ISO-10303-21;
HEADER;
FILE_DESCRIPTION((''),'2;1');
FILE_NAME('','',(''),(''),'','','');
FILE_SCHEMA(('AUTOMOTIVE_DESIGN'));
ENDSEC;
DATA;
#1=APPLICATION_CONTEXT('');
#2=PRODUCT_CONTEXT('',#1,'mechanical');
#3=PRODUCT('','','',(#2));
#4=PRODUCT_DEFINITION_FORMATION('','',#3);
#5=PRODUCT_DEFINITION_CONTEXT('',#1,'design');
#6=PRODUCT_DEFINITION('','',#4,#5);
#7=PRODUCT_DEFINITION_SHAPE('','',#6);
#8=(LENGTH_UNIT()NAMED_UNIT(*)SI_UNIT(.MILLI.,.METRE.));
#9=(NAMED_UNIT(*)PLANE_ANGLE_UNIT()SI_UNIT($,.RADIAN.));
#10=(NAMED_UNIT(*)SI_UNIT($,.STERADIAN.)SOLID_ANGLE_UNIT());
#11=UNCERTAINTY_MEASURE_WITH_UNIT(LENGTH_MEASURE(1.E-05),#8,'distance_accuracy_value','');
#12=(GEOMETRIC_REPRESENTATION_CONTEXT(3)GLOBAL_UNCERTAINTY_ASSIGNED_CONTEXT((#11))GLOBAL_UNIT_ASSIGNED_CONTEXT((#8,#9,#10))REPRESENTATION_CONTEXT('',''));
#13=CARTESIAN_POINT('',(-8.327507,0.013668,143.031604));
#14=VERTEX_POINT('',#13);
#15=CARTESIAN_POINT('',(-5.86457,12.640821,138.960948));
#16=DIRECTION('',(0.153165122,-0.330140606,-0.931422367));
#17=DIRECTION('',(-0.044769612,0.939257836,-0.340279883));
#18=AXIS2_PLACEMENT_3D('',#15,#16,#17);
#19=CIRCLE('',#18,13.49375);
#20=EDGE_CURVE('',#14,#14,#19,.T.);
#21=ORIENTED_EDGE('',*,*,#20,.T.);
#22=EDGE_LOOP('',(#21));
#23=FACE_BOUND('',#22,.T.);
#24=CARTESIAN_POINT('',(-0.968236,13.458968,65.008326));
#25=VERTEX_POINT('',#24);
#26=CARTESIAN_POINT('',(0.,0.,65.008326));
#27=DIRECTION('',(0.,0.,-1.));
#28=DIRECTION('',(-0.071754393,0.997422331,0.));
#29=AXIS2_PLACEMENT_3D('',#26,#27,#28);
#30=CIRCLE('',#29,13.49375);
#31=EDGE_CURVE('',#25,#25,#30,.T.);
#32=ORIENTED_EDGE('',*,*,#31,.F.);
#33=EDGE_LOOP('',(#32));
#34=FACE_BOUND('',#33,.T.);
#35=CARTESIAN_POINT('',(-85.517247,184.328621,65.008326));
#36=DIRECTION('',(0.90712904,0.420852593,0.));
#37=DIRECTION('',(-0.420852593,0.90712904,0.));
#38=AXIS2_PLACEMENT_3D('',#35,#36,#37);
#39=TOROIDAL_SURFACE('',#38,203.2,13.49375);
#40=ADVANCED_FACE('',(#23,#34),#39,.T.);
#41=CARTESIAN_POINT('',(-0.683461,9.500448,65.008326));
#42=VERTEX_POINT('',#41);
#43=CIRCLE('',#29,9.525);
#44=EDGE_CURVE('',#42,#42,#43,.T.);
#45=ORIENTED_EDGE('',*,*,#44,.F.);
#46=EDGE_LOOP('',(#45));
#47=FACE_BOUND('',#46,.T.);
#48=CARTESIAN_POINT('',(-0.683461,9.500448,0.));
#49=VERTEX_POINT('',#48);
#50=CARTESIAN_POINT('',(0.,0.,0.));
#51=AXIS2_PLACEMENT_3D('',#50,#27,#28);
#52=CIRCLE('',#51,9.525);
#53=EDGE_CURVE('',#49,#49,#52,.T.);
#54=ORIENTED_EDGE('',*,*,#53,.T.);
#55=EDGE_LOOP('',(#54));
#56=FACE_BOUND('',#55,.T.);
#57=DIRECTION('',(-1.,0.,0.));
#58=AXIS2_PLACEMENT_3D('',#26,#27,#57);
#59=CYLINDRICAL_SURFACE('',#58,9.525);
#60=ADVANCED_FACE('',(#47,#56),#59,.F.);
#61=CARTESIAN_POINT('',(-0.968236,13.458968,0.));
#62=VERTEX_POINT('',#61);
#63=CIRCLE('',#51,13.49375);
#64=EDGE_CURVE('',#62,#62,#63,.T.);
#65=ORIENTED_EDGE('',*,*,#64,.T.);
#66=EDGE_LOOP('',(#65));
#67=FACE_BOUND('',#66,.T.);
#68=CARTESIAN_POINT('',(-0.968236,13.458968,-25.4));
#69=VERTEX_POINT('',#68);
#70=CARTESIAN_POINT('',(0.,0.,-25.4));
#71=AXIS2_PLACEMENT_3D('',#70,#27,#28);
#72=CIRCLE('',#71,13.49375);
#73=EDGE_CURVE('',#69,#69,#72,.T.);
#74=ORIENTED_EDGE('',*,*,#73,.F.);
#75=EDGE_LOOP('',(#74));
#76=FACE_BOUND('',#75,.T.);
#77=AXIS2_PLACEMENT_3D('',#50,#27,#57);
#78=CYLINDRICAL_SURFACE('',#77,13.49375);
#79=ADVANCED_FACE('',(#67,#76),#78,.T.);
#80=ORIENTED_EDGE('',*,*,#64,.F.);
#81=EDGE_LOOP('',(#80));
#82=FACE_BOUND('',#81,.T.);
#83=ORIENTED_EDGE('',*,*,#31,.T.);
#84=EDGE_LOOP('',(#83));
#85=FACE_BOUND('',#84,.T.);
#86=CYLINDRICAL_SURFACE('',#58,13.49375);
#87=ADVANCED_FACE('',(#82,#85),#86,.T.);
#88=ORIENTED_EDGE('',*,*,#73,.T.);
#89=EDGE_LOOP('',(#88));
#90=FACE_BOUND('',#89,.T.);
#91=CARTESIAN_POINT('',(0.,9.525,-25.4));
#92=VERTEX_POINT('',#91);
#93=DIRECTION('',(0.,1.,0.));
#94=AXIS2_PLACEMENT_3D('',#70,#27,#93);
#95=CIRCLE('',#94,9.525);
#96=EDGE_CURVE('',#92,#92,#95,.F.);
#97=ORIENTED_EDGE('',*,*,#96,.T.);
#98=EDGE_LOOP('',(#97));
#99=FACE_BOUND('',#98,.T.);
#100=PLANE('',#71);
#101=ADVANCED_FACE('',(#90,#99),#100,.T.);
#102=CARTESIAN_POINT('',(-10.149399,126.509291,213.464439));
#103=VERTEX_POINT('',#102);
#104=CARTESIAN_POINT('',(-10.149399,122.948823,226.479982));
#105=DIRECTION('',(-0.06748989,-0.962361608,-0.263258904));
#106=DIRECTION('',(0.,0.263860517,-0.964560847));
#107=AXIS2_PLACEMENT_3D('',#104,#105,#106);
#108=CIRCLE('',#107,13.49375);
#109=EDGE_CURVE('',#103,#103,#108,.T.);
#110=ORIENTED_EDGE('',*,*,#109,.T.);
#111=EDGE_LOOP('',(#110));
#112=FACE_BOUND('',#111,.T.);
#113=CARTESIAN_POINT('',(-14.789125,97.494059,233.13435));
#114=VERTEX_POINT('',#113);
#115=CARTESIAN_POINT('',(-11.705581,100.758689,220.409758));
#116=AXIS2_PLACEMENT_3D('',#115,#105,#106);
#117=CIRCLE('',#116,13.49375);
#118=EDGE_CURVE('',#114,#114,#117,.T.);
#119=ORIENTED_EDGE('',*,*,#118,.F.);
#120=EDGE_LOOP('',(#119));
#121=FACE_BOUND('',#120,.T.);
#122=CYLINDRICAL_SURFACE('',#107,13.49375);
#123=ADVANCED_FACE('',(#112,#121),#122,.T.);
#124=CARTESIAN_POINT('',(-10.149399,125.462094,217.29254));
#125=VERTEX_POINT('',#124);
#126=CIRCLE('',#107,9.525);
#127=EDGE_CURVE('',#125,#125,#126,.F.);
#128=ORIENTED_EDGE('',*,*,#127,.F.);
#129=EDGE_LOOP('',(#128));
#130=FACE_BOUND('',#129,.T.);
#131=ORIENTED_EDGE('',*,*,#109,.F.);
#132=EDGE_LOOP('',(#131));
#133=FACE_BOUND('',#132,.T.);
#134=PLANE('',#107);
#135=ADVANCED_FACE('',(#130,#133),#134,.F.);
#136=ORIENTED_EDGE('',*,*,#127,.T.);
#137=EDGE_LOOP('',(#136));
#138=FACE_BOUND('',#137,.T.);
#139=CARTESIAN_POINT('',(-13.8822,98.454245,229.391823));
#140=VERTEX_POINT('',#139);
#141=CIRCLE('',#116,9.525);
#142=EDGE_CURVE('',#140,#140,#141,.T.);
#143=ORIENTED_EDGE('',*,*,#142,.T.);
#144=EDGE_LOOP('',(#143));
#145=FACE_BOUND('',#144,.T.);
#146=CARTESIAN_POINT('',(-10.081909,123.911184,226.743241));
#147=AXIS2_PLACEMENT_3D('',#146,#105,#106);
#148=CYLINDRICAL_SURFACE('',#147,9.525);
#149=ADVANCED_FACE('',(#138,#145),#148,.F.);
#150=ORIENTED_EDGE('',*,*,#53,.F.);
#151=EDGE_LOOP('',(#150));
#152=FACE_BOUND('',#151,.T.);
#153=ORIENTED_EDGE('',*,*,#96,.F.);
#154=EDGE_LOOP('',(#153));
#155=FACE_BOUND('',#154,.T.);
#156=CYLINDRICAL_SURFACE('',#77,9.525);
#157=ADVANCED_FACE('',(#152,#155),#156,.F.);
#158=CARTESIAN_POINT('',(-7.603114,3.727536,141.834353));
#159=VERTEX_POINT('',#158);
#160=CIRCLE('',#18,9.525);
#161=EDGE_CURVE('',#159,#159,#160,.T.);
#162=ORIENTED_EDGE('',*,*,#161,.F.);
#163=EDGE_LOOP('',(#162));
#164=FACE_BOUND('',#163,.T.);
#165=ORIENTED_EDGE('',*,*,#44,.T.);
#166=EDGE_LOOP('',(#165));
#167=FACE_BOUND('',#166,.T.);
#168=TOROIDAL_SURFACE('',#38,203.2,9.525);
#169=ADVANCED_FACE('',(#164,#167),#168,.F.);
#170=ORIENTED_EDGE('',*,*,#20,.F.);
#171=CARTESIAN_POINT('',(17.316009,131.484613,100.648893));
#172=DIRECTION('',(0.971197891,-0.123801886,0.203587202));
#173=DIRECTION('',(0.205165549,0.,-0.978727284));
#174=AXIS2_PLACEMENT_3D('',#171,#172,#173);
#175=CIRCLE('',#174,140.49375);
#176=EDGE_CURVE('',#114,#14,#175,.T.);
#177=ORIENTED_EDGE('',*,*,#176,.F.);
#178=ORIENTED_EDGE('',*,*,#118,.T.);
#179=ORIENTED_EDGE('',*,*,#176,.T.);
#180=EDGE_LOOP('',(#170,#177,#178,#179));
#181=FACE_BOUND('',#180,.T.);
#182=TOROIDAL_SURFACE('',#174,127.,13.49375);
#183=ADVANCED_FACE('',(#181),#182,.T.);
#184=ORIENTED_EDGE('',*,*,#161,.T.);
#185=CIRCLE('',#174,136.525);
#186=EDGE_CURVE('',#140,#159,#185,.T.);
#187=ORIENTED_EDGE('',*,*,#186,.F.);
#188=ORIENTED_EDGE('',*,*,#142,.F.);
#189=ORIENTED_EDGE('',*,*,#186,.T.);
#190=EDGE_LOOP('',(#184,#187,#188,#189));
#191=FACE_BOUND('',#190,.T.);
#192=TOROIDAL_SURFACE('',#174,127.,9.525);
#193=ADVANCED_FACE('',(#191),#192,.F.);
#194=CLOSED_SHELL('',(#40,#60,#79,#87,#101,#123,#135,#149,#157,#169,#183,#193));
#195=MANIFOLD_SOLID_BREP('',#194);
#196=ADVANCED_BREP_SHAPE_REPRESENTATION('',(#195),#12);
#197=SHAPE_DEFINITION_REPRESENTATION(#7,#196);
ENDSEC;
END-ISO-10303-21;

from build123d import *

# Parameters (mm, degrees)
SWEEP1_PROFILE_R     = 13.49375
CUT_SWEEP1_PROFILE_R = 9.525


with BuildPart() as part:
    # Sweep1: sweep along a curve in space
    with BuildLine() as sweep1_path:
        Line((0, 0, 0), (0, 0, -25.4))
        Line((0, 0, 0), (0, 0, 65.008326235))
        ThreePointArc((-5.864570369, 12.64082052, 138.960948382), (-1.478930869, 3.187769693, 102.635357248), (0, 0, 65.008326235))
        ThreePointArc((-11.705580718, 100.75868887, 220.409758136), (-12.308159492, 46.60541038, 190.353572184), (-5.864570369, 12.64082052, 138.960948382))
        Line((-10.149398836, 122.948822825, 226.479981937), (-11.705580718, 100.75868887, 220.409758136))
    # Sweep1 profile (on start of the path) → Sweep1 (sweep)
    with BuildSketch(Plane(origin=(-10.149398836, 122.948822825, 226.479981937), x_dir=(0, 0.26386051670744176, -0.9645608470816561), z_dir=(-0.06748988993383706, -0.9623616079186076, -0.2632589036690513))):
        Circle(SWEEP1_PROFILE_R)
    sweep(path=sweep1_path.line)

    # Cut-Sweep1: sweep along a curve in space
    with BuildLine() as cut_sweep1_path:
        Line((0, 0, 0), (0, 0, -25.4))
        Line((0, 0, 0), (0, 0, 65.008326235))
        ThreePointArc((-5.864570369, 12.64082052, 138.960948382), (-1.478930869, 3.187769693, 102.635357248), (0, 0, 65.008326235))
        ThreePointArc((-11.705580718, 100.75868887, 220.409758136), (-12.308159492, 46.60541038, 190.353572184), (-5.864570369, 12.64082052, 138.960948382))
        Line((-10.149398836, 122.948822825, 226.479981937), (-11.705580718, 100.75868887, 220.409758136))
    # Cut-Sweep1 profile (on start of the path) → Cut-Sweep1 (sweep, cut)
    with BuildSketch(Plane(origin=(-10.149398836, 122.948822825, 226.479981937), x_dir=(0, 0.26386051670744176, -0.9645608470816561), z_dir=(-0.06748988993383706, -0.9623616079186076, -0.2632589036690513))):
        Circle(CUT_SWEEP1_PROFILE_R)
    sweep(path=cut_sweep1_path.line, mode=Mode.SUBTRACT)


solid = part.part
